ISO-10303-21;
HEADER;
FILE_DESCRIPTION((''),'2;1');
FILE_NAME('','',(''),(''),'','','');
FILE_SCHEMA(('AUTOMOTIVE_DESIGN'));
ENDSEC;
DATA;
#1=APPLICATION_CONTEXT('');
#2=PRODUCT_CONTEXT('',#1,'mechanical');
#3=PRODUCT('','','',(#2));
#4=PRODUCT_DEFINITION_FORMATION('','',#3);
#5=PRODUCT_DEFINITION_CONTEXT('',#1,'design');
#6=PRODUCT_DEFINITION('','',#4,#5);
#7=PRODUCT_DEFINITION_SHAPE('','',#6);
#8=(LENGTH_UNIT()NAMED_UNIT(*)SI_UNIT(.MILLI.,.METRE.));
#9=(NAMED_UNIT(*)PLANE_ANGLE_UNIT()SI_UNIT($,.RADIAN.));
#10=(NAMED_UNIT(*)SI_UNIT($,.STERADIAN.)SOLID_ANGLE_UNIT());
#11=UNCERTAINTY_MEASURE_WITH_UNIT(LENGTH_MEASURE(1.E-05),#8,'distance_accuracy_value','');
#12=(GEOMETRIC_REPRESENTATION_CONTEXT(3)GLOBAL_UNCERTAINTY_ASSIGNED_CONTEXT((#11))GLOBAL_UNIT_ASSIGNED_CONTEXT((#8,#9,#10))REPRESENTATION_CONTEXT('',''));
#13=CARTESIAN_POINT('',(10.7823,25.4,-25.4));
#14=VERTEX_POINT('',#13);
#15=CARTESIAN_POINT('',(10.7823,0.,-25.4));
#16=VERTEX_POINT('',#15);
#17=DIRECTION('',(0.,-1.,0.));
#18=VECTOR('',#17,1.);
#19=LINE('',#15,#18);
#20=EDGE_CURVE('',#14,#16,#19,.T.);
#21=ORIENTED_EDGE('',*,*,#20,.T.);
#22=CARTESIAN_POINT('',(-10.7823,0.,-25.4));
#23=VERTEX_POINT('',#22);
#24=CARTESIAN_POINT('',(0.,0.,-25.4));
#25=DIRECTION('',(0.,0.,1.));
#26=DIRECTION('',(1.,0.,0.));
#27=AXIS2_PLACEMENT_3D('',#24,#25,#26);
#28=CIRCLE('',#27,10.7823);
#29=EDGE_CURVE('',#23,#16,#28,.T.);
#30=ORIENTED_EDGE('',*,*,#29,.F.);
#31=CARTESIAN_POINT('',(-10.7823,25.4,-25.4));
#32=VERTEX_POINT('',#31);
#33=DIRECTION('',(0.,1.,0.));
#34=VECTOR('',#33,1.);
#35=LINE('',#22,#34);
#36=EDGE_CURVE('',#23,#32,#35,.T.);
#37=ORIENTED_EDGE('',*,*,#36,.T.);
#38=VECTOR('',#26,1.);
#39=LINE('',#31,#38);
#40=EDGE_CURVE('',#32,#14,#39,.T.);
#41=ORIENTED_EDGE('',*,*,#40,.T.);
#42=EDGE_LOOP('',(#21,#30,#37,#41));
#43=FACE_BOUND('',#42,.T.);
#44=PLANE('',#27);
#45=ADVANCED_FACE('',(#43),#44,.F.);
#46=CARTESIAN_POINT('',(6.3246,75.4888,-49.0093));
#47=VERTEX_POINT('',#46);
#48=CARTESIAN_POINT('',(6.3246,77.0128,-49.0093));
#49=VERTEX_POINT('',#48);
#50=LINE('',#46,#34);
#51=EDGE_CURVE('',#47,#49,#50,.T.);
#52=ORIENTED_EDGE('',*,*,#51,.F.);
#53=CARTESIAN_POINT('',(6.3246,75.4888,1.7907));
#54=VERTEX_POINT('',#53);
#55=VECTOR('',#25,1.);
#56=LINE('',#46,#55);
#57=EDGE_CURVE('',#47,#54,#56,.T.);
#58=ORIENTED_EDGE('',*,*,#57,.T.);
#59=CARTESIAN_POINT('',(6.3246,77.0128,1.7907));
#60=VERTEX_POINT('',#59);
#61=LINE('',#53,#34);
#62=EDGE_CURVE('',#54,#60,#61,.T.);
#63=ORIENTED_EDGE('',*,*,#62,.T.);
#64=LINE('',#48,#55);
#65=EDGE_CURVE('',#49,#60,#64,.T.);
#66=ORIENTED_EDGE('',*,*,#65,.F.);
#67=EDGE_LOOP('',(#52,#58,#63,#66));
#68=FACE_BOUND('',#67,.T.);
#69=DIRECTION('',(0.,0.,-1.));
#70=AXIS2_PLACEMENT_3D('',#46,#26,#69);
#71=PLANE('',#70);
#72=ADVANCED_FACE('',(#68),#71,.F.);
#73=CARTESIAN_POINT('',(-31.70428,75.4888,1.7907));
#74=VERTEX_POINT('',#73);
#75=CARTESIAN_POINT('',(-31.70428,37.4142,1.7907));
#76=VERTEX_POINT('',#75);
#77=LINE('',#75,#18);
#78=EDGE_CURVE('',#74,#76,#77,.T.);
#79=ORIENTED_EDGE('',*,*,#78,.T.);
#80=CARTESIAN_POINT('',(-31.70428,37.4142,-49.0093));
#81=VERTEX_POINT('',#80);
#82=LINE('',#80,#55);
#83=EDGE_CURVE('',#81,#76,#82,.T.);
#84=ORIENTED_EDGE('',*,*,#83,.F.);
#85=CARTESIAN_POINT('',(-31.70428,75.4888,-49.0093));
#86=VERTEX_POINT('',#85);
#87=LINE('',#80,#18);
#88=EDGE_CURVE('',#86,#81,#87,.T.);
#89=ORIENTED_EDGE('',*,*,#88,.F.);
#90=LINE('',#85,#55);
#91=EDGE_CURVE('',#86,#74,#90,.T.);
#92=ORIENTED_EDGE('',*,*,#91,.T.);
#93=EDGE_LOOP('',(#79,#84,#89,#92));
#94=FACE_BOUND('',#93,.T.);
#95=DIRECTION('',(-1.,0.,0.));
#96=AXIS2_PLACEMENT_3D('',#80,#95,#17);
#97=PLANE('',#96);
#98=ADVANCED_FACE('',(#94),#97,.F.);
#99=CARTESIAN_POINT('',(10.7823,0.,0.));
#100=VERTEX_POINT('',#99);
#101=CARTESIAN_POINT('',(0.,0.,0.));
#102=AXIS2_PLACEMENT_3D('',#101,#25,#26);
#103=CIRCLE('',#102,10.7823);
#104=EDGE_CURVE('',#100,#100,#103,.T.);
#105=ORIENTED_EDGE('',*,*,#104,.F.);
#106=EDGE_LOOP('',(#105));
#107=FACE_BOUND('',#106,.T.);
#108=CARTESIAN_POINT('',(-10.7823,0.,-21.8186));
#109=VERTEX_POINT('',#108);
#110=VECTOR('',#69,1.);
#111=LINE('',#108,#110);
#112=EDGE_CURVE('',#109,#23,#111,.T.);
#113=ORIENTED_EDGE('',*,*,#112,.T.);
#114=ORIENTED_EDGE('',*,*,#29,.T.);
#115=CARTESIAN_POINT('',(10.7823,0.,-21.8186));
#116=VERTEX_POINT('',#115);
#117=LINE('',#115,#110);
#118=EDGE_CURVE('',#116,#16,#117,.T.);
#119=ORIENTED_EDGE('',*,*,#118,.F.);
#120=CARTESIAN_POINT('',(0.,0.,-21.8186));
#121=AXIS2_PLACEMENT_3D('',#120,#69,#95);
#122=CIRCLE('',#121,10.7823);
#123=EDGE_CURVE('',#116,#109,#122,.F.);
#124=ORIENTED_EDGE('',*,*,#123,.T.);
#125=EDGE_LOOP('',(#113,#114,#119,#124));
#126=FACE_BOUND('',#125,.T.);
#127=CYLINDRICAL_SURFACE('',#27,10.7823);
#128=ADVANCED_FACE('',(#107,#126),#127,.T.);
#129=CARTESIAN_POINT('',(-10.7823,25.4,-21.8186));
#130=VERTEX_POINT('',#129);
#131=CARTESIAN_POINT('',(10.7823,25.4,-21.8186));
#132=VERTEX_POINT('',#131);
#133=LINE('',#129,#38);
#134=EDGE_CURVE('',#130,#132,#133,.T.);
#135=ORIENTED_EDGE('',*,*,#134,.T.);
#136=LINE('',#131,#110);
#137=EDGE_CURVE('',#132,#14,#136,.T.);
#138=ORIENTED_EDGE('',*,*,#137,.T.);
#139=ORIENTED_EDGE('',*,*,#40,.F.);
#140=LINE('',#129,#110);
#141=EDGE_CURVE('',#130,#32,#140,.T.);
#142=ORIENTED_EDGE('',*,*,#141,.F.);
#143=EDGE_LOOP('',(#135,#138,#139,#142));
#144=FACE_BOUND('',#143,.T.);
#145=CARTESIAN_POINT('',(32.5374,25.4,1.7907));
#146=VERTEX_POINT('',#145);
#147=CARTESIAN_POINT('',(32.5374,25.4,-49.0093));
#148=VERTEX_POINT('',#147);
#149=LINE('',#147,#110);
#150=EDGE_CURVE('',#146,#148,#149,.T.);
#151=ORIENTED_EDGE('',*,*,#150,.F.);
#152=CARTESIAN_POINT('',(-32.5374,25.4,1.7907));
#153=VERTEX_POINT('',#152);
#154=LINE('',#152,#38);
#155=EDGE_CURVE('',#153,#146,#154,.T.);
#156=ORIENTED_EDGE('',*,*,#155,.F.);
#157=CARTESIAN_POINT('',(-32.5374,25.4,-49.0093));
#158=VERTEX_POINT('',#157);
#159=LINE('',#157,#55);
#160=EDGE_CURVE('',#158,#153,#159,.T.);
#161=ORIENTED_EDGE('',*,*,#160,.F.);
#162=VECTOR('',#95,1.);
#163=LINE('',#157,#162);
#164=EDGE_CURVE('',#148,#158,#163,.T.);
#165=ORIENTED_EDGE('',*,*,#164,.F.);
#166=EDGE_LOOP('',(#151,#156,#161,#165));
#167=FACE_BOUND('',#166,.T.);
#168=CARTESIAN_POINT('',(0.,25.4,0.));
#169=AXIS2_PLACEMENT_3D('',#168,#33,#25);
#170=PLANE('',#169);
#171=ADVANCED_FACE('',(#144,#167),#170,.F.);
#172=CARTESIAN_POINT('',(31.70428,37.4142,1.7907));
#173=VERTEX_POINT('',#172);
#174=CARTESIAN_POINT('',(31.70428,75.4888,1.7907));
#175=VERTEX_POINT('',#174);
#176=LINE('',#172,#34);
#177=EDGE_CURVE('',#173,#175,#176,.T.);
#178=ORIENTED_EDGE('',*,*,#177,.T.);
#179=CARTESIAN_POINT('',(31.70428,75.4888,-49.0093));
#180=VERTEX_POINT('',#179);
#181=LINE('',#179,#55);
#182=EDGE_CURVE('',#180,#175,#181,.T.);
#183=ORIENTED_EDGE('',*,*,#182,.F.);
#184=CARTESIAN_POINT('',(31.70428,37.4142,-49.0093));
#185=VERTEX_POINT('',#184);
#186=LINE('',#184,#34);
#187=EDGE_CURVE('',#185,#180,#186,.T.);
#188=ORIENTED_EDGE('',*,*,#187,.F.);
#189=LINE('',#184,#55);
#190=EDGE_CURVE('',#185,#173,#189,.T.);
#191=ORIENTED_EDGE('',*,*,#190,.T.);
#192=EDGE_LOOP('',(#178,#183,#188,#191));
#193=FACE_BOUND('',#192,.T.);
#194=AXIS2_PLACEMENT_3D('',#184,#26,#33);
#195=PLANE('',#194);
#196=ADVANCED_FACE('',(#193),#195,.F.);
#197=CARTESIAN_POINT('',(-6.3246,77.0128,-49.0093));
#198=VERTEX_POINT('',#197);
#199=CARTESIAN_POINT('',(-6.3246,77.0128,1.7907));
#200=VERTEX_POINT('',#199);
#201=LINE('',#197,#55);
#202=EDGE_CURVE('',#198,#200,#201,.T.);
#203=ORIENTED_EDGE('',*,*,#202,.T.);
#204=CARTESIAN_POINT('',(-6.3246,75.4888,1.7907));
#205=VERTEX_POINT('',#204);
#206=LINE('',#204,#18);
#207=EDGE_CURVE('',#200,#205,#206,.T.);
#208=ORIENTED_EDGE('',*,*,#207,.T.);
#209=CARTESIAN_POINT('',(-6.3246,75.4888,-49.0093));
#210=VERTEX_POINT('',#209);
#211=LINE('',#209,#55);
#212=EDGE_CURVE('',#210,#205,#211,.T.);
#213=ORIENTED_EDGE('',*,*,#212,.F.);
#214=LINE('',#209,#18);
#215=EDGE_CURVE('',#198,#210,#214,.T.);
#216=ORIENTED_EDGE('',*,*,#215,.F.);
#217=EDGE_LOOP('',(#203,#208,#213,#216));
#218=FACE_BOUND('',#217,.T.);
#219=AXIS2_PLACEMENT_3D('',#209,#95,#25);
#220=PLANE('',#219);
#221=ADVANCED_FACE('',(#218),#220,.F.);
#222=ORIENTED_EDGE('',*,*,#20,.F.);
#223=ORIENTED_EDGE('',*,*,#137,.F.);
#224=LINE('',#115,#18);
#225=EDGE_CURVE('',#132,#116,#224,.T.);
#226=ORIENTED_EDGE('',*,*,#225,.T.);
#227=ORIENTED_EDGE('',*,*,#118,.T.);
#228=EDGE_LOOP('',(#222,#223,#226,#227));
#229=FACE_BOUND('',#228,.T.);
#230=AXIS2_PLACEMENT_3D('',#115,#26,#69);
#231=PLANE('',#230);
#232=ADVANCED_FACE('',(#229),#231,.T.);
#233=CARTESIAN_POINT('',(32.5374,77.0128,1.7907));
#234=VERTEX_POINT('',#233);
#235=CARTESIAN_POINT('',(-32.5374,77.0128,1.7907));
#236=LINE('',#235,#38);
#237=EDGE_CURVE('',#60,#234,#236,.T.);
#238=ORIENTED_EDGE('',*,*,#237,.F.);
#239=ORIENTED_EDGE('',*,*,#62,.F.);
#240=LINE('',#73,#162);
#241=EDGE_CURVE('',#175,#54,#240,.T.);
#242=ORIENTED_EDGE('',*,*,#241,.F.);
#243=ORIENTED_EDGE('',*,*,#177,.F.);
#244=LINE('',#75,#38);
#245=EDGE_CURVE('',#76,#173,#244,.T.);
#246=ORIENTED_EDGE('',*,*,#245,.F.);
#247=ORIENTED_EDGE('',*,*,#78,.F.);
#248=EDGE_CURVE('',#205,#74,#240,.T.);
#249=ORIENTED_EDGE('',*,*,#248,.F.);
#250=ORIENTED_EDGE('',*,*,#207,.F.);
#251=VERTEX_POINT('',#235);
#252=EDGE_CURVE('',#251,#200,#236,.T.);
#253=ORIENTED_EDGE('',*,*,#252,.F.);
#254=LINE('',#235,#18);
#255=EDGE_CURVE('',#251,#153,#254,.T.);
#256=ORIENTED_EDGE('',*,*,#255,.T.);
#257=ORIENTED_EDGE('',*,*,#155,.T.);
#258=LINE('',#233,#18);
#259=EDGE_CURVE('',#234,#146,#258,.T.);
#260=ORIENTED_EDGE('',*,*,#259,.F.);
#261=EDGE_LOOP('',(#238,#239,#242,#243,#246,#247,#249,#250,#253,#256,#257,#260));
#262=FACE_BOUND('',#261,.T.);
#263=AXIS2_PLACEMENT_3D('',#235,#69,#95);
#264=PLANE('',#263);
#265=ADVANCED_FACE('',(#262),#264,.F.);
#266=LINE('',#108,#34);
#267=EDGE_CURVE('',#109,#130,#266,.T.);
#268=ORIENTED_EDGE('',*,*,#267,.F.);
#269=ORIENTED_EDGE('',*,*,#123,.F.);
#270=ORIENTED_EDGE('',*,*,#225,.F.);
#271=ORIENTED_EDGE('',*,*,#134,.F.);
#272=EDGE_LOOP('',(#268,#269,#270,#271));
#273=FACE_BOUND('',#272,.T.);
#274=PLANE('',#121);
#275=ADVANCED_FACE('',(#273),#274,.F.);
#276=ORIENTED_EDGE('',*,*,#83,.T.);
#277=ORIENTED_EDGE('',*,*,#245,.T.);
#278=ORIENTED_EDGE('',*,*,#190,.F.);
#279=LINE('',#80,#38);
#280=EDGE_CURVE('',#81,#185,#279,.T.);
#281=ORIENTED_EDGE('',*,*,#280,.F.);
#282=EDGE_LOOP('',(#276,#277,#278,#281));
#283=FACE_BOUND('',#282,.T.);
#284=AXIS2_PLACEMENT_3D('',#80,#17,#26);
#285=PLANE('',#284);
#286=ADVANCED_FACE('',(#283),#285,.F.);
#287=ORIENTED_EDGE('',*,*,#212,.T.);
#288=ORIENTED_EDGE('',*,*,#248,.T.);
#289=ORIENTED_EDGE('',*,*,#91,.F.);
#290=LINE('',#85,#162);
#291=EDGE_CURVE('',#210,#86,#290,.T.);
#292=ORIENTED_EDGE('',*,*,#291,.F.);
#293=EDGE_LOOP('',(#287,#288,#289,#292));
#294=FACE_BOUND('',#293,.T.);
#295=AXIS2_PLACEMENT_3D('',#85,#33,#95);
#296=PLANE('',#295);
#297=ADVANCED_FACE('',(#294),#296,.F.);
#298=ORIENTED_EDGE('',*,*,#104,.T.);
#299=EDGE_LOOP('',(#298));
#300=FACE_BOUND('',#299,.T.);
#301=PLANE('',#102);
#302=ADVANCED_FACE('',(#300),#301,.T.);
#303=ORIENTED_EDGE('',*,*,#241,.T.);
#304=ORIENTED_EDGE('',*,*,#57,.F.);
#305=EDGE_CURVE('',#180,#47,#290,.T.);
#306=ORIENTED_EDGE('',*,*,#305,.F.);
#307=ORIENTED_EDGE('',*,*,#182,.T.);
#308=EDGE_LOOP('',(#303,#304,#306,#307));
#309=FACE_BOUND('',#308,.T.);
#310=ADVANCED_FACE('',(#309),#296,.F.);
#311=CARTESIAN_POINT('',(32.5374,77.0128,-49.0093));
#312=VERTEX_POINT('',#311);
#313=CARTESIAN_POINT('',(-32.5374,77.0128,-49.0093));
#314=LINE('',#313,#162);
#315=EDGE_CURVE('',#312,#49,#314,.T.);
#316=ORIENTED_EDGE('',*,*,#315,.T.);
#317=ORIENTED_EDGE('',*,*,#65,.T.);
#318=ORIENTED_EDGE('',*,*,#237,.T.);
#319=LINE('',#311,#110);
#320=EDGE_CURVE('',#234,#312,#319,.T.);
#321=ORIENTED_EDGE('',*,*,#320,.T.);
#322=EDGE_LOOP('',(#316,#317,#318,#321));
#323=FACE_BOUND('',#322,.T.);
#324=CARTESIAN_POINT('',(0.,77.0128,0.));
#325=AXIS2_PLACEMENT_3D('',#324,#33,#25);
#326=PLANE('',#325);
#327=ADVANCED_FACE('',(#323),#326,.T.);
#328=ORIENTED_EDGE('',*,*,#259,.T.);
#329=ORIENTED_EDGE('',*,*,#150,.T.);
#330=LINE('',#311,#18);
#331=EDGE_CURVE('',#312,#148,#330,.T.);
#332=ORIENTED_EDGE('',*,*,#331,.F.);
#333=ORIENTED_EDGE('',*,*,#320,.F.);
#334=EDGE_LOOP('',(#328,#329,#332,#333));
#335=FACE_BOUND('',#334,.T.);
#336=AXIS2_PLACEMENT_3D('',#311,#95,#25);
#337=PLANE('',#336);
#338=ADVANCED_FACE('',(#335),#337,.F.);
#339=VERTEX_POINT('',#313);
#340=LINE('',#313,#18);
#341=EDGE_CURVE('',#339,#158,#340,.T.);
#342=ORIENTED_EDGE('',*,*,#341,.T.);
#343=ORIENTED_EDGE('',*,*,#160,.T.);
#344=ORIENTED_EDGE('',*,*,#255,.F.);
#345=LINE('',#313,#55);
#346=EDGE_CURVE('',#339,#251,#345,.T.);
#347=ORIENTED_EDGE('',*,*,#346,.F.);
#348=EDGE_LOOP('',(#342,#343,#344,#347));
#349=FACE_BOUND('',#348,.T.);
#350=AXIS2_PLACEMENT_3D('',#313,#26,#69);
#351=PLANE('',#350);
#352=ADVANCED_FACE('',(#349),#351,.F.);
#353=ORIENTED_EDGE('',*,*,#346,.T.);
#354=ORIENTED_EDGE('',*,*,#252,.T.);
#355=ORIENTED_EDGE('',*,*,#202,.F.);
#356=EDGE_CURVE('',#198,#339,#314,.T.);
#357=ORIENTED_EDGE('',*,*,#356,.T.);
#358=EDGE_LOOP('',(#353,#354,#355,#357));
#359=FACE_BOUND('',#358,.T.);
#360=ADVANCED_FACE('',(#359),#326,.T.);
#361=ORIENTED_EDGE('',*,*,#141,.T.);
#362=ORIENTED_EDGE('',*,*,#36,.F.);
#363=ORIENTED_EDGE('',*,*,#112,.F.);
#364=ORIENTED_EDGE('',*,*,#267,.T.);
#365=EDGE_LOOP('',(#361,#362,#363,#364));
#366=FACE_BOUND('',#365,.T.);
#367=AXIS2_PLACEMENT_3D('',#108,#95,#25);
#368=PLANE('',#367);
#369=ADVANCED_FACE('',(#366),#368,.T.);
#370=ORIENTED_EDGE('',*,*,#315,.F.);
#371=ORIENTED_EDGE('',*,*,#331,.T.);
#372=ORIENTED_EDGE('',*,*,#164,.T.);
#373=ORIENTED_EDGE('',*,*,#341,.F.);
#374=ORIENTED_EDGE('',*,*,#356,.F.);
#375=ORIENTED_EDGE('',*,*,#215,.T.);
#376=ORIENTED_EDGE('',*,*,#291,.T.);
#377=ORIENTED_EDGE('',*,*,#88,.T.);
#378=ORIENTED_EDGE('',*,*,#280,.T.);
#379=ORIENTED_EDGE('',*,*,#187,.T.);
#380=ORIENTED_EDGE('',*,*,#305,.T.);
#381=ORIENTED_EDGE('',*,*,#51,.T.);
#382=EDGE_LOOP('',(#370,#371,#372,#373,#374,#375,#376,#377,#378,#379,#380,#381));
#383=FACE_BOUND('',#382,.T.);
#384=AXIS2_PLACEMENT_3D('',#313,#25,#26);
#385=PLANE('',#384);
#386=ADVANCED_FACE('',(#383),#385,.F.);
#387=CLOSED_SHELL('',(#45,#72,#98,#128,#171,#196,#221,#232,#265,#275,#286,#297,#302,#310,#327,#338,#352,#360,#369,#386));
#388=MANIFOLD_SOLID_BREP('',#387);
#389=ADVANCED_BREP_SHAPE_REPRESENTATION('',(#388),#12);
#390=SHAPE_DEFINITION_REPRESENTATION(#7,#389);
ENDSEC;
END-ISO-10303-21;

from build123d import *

# Parameters (mm, degrees)
SKETCH1_R           = 10.7823
BOSS_EXTRUDE1_DEPTH = 25.4
SKETCH2_W           = 21.5646
SKETCH2_H           = 25.4
BOSS_EXTRUDE2_DEPTH = 3.5814
SKETCH6_W           = 65.0748
SKETCH6_H           = 50.8
BOSS_EXTRUDE3_DEPTH = 51.6128
SKETCH7_W           = 63.40856
SKETCH7_H           = 38.0746
CUT_EXTRUDE1_DEPTH  = 98.827878248
SKETCH8_W           = 12.6492
SKETCH8_H           = 1.524
CUT_EXTRUDE2_DEPTH  = 98.827878248


with BuildPart() as part:
    # Sketch1 → Boss-Extrude1 (new body)
    with BuildSketch(Plane.XY):
        Circle(SKETCH1_R)
    extrude(amount=-BOSS_EXTRUDE1_DEPTH)

    # Sketch2 → Boss-Extrude2 (add)
    with BuildSketch(Plane(origin=(0, 0, -25.4), x_dir=(-1, 0, 0), z_dir=(0, 0, -1))):
        with Locations((0, 12.7)):
            Rectangle(SKETCH2_W, SKETCH2_H)
    extrude(amount=-BOSS_EXTRUDE2_DEPTH)

    # Sketch6 → Boss-Extrude3 (add)
    with BuildSketch(Plane(origin=(0, 25.4, 0), x_dir=(1, 0, 0), z_dir=(0, 1, 0))):
        with Locations((0, 23.6093)):
            Rectangle(SKETCH6_W, SKETCH6_H)
    extrude(amount=BOSS_EXTRUDE3_DEPTH)

    # Sketch7 → Cut-Extrude1 (cut, through all)
    with BuildSketch(Plane.XY.offset(1.7907)):
        with Locations((0, 56.4515)):
            Rectangle(SKETCH7_W, SKETCH7_H)
    extrude(amount=-CUT_EXTRUDE1_DEPTH, mode=Mode.SUBTRACT)

    # Sketch8 → Cut-Extrude2 (cut, through all)
    with BuildSketch(Plane.XY.offset(1.7907)):
        with Locations((0, 76.2508)):
            Rectangle(SKETCH8_W, SKETCH8_H)
    extrude(amount=-CUT_EXTRUDE2_DEPTH, mode=Mode.SUBTRACT)


solid = part.part
